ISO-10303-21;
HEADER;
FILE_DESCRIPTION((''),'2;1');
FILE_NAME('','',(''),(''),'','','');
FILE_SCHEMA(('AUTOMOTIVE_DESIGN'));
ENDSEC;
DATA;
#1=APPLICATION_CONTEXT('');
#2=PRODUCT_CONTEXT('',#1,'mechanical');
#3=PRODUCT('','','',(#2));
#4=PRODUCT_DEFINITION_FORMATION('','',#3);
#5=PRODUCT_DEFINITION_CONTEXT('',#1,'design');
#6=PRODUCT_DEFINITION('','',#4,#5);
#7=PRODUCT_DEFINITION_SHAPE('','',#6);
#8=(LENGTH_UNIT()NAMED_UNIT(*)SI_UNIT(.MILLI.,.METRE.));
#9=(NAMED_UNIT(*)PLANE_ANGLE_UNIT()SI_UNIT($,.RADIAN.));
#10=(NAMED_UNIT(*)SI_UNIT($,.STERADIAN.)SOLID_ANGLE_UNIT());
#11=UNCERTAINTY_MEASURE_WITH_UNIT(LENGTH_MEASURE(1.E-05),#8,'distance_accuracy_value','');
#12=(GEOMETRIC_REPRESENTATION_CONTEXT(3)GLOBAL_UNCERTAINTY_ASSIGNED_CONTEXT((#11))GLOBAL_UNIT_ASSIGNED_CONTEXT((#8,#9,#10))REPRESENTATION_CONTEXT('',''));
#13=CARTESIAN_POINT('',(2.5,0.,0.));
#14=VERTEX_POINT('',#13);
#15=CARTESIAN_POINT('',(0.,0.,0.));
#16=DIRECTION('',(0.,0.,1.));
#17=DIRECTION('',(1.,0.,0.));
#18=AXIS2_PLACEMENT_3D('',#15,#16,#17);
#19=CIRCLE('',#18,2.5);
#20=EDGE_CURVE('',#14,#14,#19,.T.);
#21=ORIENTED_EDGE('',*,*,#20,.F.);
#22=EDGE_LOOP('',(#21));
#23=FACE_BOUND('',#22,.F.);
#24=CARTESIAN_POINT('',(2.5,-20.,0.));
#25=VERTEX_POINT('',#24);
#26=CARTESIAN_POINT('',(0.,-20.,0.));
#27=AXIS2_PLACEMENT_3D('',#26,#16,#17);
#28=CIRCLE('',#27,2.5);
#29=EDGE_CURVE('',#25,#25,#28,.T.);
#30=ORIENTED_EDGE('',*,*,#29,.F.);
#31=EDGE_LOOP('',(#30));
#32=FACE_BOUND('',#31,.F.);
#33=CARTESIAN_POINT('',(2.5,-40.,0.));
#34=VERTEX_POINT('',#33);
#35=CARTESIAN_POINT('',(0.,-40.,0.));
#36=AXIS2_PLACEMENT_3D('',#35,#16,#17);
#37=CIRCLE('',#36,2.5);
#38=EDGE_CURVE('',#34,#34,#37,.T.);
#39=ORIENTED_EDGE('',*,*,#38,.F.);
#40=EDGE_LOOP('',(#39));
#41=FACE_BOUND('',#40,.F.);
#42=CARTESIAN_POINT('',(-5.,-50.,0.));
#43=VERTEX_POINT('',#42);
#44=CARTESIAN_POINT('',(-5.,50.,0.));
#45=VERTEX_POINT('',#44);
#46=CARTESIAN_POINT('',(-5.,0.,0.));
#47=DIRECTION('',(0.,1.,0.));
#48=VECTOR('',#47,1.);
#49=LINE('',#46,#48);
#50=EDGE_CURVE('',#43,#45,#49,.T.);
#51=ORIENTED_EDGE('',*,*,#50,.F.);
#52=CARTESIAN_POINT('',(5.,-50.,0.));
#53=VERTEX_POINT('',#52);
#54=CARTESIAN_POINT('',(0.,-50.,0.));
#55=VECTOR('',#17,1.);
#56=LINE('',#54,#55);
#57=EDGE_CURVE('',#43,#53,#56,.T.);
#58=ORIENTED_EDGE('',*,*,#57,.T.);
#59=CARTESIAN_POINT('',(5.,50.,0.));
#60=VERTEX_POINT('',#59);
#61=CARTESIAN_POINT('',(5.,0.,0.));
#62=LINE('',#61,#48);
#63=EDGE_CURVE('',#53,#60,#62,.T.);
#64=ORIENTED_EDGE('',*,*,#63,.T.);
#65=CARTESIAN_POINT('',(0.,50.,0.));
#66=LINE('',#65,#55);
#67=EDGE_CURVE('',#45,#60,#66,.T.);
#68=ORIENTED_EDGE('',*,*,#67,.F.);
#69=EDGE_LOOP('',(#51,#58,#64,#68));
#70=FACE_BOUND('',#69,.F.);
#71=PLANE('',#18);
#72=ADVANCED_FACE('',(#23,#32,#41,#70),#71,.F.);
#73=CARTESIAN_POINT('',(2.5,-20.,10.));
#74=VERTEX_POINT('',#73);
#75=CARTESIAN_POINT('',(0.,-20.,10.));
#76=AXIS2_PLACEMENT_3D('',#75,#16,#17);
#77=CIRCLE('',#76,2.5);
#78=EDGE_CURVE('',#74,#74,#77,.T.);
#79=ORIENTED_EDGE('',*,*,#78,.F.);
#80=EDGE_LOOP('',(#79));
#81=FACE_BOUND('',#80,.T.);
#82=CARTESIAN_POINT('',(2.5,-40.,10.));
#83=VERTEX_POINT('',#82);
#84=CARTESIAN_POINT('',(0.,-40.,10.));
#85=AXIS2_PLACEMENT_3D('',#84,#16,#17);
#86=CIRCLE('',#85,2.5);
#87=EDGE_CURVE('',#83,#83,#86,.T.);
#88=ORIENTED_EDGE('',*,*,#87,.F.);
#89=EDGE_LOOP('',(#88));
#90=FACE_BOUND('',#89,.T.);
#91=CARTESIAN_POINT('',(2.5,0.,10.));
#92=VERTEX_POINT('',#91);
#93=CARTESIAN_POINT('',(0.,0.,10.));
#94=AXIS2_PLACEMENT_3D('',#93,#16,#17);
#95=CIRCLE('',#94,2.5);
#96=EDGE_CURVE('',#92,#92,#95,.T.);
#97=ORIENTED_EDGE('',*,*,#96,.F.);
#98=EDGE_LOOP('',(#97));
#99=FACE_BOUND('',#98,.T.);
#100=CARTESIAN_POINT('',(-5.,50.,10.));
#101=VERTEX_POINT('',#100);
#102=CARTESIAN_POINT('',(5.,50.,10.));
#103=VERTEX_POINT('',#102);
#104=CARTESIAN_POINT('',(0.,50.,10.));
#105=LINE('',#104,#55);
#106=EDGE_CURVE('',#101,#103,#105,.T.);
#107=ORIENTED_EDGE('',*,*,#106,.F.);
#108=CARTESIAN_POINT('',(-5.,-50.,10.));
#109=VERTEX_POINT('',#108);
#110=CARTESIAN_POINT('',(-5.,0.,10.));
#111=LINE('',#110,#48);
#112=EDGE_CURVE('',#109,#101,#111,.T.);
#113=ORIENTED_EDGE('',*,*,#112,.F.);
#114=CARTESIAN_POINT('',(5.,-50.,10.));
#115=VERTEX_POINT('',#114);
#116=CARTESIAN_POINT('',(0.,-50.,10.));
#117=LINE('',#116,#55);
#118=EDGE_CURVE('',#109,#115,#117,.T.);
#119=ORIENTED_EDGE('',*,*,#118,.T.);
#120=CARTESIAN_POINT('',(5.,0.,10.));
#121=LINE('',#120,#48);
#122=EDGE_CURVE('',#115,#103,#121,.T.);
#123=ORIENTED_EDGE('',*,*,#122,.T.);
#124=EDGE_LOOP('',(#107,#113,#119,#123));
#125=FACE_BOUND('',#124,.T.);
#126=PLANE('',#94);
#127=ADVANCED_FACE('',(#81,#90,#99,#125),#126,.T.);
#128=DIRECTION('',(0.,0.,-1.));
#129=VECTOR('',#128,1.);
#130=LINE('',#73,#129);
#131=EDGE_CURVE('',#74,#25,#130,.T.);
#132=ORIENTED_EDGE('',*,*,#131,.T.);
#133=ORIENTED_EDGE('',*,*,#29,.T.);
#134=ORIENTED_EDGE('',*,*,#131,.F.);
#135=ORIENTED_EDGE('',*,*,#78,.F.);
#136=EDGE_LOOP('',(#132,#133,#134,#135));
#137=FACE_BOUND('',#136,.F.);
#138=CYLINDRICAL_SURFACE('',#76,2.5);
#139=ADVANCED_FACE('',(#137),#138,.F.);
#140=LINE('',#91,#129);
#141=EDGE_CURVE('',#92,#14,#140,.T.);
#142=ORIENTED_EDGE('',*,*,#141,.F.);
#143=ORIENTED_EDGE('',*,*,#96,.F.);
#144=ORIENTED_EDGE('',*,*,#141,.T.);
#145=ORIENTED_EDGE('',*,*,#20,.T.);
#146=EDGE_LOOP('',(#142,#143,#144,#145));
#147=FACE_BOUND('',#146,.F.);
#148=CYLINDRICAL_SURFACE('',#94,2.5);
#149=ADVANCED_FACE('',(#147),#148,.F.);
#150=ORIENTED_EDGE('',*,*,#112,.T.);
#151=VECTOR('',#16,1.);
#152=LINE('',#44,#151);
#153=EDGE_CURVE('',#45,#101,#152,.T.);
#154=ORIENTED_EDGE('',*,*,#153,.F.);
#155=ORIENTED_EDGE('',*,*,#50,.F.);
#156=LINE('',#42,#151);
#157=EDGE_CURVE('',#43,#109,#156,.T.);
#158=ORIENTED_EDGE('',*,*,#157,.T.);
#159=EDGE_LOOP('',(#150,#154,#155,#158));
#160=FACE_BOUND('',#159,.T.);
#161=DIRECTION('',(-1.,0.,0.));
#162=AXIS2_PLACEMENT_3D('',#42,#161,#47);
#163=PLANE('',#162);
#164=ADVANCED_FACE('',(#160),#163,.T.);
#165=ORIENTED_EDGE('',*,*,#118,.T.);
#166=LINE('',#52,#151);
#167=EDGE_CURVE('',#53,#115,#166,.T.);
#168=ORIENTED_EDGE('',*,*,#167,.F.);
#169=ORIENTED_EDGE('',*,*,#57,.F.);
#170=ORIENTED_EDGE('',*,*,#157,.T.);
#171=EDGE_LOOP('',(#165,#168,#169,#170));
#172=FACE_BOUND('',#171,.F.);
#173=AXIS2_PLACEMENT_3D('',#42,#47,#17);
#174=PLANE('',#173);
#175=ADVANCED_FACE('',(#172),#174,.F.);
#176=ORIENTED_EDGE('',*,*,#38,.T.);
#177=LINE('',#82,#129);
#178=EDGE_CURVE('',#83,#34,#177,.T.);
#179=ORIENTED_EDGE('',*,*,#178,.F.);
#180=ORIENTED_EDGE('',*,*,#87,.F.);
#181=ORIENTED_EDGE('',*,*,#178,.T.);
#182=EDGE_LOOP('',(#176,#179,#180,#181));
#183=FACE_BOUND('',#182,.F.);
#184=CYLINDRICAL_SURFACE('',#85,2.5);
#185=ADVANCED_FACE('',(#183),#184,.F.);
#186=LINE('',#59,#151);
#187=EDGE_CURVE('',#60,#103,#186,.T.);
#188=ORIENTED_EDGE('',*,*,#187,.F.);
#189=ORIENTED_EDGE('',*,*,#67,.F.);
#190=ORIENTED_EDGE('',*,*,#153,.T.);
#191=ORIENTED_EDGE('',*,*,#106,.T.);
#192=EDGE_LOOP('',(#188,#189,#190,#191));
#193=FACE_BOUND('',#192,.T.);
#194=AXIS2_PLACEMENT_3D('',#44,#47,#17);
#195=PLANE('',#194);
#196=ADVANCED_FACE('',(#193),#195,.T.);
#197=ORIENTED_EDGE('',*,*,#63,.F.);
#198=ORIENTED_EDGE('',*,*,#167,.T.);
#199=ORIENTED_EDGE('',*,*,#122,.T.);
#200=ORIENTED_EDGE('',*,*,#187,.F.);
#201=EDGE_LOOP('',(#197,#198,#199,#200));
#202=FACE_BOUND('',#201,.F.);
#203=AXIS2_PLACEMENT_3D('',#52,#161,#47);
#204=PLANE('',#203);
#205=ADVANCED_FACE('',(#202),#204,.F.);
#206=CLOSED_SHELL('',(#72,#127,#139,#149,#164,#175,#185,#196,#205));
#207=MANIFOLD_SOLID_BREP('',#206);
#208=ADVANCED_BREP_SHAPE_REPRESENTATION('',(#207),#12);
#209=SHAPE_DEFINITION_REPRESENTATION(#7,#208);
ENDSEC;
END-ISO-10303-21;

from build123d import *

# Parameters (mm, degrees)
F0_W     = 10
F0_H     = 100
F1_DEPTH = 10
F2_R     = 2.5
F3_DEPTH = 10


with BuildPart() as f1:
    # F0 (on Top) → F1 (new body)
    with BuildSketch(Plane.XY):
        Rectangle(F0_W, F0_H)
    extrude(amount=F1_DEPTH)

    # F2 (on face) → F3 (cut, through all)
    with BuildSketch(Plane.XY.offset(10)):
        Circle(F2_R)
        with Locations((0, -20)):
            Circle(F2_R)
        with Locations((0, -40)):
            Circle(F2_R)
    extrude(amount=-F3_DEPTH, mode=Mode.SUBTRACT)


solid = f1.part
